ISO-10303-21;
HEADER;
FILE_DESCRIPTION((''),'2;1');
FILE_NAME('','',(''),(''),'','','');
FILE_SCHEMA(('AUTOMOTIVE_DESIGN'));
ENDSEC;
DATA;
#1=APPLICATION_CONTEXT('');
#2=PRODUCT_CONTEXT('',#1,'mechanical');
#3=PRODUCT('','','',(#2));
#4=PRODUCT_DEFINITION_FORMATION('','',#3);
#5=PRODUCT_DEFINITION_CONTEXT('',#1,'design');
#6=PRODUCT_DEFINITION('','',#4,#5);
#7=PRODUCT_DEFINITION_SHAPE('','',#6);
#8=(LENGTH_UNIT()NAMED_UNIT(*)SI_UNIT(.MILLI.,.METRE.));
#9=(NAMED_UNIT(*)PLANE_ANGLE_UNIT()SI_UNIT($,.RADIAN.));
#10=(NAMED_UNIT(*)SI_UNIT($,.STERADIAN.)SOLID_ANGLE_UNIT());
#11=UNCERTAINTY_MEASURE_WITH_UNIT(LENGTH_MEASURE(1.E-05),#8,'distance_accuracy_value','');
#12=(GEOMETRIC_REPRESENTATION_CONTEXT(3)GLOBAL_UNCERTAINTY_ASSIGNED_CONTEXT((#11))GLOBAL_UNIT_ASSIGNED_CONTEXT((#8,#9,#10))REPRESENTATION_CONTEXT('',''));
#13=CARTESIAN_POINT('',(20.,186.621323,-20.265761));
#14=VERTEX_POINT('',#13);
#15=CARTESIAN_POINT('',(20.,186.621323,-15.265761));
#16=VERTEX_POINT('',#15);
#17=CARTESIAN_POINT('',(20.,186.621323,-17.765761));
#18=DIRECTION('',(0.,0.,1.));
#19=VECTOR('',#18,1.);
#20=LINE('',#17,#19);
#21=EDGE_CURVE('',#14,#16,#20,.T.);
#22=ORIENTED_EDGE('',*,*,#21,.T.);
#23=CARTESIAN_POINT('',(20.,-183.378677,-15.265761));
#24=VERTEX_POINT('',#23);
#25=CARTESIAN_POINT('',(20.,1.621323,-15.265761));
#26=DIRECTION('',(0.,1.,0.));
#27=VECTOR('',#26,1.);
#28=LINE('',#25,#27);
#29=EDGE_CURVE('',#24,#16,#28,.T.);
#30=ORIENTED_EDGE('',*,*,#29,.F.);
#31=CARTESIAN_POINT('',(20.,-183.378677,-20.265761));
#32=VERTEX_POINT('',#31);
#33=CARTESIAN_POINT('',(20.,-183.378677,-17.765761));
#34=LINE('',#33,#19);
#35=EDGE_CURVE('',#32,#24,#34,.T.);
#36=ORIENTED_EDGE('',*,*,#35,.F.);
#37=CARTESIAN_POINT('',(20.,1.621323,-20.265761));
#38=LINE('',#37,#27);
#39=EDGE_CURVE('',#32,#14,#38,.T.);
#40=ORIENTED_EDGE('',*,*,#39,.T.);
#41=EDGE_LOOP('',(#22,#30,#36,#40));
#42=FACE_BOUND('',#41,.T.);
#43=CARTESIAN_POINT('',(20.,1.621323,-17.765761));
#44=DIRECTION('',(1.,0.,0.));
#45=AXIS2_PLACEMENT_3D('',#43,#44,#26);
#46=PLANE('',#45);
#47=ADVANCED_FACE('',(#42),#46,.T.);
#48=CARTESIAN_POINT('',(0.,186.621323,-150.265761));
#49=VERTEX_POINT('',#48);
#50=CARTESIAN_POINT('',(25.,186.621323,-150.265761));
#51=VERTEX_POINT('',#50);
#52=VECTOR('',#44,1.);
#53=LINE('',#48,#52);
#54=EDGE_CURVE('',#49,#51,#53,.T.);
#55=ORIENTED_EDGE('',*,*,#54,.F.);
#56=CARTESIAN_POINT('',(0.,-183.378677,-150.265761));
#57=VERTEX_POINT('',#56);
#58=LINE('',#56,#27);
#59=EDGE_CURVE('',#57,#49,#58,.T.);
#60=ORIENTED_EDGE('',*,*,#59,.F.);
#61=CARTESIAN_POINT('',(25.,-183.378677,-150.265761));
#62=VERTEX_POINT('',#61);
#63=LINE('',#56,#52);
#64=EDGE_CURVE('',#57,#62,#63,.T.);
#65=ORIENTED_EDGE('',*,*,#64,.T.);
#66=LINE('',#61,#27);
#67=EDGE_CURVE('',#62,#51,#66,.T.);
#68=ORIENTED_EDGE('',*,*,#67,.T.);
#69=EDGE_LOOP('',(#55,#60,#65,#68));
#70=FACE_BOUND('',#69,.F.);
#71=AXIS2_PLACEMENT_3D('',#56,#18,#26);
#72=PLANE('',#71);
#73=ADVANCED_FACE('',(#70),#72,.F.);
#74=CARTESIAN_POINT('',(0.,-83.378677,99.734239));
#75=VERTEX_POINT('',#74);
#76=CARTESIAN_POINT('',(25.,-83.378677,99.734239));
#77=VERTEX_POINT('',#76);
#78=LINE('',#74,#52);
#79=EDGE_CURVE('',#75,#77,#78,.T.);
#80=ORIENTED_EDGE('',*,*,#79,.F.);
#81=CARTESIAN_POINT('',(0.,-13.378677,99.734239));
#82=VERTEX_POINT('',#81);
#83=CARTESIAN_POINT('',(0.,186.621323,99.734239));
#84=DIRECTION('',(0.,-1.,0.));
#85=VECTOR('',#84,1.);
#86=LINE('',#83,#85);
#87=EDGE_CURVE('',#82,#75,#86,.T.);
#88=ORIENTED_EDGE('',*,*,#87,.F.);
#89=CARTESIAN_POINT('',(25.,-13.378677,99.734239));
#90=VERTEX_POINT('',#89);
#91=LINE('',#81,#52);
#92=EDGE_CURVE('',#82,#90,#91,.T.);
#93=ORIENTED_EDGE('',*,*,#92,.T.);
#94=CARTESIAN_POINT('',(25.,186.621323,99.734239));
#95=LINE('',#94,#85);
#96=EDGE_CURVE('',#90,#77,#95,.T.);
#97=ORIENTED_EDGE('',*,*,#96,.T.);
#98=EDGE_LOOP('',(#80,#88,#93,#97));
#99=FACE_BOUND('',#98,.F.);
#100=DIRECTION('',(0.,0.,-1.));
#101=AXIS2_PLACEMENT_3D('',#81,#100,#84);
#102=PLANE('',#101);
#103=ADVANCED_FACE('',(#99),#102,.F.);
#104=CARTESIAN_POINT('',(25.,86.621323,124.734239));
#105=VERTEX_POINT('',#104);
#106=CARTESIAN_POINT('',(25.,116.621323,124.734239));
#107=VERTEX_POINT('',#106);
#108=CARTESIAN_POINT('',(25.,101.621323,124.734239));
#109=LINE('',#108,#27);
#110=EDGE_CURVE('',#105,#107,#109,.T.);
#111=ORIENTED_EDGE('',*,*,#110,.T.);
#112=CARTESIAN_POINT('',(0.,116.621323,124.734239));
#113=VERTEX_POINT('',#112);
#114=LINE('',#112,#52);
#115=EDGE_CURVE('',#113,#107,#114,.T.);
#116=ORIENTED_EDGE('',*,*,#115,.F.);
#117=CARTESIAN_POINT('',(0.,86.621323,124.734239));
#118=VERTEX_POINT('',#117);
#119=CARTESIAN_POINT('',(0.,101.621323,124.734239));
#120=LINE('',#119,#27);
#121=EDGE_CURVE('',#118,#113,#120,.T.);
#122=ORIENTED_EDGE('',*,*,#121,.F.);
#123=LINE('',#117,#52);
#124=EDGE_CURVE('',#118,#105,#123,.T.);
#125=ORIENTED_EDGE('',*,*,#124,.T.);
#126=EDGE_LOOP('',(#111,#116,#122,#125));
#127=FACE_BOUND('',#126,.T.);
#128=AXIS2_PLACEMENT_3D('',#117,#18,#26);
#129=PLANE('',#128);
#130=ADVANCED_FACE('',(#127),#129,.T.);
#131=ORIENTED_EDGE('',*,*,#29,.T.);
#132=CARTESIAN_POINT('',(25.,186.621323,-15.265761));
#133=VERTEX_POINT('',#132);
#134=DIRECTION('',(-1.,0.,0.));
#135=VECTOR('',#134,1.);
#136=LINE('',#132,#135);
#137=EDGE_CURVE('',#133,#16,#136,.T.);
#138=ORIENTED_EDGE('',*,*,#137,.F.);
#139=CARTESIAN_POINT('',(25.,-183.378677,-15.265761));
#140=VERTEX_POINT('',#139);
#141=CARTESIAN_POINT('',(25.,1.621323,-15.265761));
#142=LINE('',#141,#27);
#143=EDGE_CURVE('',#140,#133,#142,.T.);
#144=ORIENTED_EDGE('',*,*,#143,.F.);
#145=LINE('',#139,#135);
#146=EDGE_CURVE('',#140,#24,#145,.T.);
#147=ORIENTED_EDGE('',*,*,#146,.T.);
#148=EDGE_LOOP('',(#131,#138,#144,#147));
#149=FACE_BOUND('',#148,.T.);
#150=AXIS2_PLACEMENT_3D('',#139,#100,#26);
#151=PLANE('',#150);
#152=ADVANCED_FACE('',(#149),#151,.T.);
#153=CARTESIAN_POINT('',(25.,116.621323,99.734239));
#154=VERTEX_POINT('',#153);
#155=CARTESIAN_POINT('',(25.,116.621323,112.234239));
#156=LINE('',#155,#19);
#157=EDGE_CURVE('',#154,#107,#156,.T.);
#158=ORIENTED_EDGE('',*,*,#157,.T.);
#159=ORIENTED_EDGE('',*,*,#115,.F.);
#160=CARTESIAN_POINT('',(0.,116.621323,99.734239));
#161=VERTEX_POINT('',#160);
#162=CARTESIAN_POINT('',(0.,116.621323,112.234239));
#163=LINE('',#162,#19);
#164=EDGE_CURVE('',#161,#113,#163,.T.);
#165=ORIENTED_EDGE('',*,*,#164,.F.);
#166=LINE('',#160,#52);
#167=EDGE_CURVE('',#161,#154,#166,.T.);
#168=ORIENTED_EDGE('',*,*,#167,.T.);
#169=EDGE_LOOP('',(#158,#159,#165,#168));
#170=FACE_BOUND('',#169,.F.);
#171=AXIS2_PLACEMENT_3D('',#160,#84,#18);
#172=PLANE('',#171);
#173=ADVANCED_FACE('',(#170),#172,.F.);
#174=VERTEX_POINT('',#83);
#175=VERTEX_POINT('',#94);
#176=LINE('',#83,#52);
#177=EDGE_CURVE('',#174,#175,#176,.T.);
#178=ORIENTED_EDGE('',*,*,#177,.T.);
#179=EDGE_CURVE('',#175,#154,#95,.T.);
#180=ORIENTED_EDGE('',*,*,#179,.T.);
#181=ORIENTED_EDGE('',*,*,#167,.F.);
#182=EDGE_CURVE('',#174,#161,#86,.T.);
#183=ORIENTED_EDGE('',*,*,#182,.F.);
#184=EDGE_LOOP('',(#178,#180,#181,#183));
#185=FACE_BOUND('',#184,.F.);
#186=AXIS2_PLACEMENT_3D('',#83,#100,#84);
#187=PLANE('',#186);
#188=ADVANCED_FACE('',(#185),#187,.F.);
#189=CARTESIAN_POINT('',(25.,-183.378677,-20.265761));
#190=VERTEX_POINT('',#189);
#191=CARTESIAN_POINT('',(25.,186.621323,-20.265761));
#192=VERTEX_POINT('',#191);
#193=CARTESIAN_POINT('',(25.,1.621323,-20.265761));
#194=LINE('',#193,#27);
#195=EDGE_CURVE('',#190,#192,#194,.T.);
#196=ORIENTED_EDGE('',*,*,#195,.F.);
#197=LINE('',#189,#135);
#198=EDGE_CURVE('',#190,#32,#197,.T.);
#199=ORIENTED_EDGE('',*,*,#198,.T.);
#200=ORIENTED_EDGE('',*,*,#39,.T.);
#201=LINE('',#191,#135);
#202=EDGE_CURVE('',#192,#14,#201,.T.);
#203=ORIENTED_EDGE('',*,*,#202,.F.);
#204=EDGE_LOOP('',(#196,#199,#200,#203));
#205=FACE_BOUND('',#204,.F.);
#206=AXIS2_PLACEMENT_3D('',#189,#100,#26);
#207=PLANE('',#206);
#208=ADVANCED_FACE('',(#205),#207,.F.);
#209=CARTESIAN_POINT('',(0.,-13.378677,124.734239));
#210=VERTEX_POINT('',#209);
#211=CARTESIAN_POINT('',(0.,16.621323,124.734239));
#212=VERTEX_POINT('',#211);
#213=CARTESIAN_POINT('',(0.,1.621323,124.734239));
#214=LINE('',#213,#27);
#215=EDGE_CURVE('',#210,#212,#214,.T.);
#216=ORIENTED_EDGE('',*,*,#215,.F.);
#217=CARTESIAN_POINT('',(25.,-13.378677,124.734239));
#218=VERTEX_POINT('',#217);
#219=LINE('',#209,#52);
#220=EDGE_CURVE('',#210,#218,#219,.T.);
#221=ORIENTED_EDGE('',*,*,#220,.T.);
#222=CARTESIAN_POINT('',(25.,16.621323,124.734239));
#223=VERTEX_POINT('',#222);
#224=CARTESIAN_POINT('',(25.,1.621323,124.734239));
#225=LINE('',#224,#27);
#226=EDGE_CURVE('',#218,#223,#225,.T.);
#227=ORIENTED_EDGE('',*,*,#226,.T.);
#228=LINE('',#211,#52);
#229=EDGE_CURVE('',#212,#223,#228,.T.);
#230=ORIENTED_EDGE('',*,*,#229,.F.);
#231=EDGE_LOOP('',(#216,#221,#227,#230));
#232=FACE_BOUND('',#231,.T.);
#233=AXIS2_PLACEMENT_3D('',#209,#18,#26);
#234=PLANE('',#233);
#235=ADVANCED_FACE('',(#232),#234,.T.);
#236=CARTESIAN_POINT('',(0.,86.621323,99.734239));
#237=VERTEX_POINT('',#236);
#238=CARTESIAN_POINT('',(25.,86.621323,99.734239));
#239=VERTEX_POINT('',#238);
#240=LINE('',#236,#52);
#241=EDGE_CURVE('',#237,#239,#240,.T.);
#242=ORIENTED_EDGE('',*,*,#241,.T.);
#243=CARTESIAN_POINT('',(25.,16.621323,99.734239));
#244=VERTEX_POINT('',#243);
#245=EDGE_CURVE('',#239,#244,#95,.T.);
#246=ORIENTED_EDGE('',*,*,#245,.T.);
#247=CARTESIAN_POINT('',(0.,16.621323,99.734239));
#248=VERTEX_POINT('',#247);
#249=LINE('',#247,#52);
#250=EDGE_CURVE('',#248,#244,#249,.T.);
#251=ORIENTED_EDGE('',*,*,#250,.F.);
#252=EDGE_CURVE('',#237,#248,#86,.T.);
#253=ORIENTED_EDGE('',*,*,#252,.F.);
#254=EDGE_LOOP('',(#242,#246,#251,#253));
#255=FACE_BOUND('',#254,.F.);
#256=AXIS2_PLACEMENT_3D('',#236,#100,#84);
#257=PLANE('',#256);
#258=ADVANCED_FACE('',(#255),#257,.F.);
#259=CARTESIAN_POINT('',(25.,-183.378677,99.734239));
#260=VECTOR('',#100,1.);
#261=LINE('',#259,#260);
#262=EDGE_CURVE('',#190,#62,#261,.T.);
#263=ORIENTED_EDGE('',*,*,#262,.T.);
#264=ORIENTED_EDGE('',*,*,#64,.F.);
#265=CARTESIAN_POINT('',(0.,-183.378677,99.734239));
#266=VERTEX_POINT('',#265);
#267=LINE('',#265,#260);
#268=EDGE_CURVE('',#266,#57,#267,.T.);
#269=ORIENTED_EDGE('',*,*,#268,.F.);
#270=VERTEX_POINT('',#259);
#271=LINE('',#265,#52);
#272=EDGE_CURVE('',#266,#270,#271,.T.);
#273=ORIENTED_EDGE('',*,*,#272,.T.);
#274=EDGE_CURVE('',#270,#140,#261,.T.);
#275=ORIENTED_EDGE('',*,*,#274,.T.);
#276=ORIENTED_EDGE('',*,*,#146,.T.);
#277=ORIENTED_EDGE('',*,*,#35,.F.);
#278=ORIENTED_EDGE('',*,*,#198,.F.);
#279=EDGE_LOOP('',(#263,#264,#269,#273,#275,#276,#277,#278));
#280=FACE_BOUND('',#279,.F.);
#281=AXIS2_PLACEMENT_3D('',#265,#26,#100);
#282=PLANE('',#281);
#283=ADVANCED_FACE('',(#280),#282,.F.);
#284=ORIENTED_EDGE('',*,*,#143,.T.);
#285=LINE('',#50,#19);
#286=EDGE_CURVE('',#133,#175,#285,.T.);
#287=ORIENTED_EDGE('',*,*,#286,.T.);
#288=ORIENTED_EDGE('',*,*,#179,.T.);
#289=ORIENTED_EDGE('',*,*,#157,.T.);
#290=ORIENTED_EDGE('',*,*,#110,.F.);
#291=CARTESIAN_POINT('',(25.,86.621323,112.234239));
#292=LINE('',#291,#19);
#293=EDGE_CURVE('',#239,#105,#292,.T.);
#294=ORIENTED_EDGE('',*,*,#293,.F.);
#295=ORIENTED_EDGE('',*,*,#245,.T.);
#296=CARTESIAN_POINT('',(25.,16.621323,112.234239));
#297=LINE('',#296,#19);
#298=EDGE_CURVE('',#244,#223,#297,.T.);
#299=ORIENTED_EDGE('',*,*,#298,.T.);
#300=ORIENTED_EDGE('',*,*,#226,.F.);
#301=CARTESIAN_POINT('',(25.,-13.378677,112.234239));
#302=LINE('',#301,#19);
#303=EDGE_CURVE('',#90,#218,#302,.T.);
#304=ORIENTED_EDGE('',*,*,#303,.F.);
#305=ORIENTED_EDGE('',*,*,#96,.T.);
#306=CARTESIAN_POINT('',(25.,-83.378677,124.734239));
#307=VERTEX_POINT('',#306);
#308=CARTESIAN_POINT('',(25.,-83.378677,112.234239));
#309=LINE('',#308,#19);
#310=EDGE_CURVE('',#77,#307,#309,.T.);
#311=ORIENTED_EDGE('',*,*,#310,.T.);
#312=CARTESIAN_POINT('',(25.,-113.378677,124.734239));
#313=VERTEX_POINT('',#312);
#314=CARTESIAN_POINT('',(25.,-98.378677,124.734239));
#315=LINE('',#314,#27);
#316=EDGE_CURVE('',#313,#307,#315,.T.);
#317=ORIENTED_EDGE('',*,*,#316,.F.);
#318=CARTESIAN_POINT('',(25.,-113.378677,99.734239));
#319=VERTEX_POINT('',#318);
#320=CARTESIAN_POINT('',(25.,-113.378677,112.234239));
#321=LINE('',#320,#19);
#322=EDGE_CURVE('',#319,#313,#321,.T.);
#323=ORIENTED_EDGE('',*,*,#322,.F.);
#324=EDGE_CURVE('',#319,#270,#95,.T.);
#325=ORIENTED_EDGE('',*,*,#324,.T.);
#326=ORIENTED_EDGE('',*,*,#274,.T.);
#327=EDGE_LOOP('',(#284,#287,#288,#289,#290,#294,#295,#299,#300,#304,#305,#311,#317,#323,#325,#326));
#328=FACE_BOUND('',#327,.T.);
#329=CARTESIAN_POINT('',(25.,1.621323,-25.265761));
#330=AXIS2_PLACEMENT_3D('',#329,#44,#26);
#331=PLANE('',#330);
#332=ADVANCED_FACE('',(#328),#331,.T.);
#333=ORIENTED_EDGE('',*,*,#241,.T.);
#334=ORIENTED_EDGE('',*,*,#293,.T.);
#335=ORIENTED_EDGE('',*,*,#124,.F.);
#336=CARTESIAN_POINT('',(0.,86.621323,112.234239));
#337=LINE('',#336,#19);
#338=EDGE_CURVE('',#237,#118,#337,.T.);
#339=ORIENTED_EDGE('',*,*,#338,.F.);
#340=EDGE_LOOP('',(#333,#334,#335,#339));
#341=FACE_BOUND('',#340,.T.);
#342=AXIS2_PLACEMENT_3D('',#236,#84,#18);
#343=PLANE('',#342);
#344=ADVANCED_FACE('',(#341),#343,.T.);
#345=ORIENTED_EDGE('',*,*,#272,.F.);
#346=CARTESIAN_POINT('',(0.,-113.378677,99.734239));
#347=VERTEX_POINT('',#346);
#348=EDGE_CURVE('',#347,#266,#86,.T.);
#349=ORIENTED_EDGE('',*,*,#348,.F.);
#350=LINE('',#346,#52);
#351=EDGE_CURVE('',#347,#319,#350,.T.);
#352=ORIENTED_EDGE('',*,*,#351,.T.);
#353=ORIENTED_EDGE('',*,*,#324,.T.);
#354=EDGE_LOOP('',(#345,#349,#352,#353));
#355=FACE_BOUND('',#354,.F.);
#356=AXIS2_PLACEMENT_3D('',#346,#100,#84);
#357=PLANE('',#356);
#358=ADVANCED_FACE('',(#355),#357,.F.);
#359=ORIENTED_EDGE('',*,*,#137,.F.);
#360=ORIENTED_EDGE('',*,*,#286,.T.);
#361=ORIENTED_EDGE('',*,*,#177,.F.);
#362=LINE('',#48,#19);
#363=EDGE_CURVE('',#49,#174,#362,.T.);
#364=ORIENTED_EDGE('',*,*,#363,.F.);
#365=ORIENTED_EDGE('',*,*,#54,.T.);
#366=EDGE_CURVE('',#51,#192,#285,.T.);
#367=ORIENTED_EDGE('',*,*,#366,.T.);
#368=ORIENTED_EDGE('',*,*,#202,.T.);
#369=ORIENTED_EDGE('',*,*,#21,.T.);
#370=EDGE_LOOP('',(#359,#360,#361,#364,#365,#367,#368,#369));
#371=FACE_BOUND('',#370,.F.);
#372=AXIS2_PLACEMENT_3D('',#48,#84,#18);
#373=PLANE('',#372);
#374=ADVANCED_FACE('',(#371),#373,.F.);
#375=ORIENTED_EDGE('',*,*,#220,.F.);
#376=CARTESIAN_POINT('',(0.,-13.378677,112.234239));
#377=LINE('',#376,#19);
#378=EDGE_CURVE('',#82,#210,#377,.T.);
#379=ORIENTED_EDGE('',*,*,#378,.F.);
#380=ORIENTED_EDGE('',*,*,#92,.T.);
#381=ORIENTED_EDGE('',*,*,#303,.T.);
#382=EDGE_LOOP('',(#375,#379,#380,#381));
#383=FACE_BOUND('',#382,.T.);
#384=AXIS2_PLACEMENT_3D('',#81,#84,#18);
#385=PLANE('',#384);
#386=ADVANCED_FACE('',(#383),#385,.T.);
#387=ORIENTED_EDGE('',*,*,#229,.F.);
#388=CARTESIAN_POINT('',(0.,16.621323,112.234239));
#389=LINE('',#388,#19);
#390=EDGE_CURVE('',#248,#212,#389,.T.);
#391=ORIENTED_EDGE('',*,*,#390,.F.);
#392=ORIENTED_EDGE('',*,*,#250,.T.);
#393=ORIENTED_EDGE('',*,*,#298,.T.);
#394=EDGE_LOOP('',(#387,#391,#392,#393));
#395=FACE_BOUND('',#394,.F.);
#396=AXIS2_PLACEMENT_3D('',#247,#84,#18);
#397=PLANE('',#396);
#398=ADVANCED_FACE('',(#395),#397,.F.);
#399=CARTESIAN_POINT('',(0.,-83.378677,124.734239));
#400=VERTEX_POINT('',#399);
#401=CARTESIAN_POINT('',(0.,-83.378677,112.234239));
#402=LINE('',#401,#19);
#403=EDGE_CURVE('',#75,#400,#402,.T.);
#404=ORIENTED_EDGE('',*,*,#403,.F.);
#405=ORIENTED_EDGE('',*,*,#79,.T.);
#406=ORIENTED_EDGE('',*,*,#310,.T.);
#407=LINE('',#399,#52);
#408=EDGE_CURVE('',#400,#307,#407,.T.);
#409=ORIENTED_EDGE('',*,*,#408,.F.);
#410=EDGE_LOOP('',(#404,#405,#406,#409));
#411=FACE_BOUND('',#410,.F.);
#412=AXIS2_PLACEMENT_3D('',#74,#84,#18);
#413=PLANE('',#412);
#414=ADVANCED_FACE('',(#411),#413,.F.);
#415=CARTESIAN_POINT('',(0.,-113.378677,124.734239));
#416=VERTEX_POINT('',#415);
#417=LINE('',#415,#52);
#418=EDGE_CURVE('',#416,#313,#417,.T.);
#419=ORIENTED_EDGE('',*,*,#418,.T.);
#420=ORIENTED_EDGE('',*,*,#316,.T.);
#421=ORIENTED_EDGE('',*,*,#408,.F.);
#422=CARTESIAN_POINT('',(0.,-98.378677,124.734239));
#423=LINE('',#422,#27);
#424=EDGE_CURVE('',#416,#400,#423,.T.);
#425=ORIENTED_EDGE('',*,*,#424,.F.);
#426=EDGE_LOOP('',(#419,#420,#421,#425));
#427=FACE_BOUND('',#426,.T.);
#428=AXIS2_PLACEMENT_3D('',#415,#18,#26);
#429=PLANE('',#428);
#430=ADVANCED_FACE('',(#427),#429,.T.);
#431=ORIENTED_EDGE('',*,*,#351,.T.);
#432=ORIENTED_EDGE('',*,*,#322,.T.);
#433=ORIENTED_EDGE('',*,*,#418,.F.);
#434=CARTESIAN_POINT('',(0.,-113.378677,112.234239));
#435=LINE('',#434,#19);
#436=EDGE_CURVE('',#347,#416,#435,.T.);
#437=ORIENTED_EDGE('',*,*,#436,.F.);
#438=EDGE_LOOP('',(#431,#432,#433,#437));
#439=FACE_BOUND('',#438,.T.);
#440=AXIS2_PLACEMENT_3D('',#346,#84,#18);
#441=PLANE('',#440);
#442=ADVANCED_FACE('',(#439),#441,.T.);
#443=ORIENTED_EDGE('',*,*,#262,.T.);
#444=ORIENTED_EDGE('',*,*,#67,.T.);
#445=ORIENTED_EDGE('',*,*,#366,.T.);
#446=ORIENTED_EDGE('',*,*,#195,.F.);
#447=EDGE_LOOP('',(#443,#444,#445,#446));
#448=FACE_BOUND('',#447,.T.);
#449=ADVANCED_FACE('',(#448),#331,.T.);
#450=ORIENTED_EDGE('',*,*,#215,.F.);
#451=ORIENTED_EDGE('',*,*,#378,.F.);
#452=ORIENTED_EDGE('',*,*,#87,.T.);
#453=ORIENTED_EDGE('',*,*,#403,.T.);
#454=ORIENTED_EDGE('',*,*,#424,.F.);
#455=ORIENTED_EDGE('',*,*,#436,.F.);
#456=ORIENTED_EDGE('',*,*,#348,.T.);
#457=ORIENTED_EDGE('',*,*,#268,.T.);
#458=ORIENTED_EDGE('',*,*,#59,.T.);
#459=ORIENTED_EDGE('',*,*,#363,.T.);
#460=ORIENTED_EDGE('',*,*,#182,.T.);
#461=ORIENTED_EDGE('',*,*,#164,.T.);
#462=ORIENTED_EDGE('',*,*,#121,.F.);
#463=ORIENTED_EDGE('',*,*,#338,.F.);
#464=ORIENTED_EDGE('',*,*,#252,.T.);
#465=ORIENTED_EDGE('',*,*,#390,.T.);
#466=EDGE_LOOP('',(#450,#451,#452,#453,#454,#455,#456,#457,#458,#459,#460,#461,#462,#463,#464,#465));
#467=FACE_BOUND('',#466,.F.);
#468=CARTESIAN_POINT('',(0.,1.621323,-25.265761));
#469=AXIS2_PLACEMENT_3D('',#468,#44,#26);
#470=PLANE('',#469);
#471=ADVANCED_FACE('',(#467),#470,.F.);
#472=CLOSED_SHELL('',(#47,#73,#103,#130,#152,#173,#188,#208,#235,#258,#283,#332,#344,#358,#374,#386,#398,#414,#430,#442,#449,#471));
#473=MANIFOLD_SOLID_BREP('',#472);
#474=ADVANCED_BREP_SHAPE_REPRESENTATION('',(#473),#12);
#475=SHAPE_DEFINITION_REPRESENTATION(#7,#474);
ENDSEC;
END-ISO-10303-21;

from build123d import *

# Parameters (mm, degrees)
F0_W     = 30
F0_H     = 25
F1_DEPTH = 25
F2_W     = 370
F2_H     = 5
F3_DEPTH = 5


with BuildPart() as f1:
    # F0 (on Right) → F1 (new body)
    with BuildSketch(Plane.YZ):
        Polygon((-113.378677, 99.734239), (-183.378677, 99.734239), (-183.378677, -150.265761), (186.621323, -150.265761), (186.621323, 99.734239), (116.621323, 99.734239), (86.621323, 99.734239), (16.621323, 99.734239), (-13.378677, 99.734239), (-83.378677, 99.734239), align=None)
        with Locations((-98.378677, 112.234239)):
            Rectangle(F0_W, F0_H)
        with Locations((1.621323, 112.234239)):
            Rectangle(F0_W, F0_H)
        with Locations((101.621323, 112.234239)):
            Rectangle(F0_W, F0_H)
    extrude(amount=F1_DEPTH)

    # F2 (on face) → F3 (cut)
    with BuildSketch(Plane.YZ.offset(25)):
        with Locations((1.621323, -17.765761)):
            Rectangle(F2_W, F2_H)
    extrude(amount=-F3_DEPTH, mode=Mode.SUBTRACT)


solid = f1.part
